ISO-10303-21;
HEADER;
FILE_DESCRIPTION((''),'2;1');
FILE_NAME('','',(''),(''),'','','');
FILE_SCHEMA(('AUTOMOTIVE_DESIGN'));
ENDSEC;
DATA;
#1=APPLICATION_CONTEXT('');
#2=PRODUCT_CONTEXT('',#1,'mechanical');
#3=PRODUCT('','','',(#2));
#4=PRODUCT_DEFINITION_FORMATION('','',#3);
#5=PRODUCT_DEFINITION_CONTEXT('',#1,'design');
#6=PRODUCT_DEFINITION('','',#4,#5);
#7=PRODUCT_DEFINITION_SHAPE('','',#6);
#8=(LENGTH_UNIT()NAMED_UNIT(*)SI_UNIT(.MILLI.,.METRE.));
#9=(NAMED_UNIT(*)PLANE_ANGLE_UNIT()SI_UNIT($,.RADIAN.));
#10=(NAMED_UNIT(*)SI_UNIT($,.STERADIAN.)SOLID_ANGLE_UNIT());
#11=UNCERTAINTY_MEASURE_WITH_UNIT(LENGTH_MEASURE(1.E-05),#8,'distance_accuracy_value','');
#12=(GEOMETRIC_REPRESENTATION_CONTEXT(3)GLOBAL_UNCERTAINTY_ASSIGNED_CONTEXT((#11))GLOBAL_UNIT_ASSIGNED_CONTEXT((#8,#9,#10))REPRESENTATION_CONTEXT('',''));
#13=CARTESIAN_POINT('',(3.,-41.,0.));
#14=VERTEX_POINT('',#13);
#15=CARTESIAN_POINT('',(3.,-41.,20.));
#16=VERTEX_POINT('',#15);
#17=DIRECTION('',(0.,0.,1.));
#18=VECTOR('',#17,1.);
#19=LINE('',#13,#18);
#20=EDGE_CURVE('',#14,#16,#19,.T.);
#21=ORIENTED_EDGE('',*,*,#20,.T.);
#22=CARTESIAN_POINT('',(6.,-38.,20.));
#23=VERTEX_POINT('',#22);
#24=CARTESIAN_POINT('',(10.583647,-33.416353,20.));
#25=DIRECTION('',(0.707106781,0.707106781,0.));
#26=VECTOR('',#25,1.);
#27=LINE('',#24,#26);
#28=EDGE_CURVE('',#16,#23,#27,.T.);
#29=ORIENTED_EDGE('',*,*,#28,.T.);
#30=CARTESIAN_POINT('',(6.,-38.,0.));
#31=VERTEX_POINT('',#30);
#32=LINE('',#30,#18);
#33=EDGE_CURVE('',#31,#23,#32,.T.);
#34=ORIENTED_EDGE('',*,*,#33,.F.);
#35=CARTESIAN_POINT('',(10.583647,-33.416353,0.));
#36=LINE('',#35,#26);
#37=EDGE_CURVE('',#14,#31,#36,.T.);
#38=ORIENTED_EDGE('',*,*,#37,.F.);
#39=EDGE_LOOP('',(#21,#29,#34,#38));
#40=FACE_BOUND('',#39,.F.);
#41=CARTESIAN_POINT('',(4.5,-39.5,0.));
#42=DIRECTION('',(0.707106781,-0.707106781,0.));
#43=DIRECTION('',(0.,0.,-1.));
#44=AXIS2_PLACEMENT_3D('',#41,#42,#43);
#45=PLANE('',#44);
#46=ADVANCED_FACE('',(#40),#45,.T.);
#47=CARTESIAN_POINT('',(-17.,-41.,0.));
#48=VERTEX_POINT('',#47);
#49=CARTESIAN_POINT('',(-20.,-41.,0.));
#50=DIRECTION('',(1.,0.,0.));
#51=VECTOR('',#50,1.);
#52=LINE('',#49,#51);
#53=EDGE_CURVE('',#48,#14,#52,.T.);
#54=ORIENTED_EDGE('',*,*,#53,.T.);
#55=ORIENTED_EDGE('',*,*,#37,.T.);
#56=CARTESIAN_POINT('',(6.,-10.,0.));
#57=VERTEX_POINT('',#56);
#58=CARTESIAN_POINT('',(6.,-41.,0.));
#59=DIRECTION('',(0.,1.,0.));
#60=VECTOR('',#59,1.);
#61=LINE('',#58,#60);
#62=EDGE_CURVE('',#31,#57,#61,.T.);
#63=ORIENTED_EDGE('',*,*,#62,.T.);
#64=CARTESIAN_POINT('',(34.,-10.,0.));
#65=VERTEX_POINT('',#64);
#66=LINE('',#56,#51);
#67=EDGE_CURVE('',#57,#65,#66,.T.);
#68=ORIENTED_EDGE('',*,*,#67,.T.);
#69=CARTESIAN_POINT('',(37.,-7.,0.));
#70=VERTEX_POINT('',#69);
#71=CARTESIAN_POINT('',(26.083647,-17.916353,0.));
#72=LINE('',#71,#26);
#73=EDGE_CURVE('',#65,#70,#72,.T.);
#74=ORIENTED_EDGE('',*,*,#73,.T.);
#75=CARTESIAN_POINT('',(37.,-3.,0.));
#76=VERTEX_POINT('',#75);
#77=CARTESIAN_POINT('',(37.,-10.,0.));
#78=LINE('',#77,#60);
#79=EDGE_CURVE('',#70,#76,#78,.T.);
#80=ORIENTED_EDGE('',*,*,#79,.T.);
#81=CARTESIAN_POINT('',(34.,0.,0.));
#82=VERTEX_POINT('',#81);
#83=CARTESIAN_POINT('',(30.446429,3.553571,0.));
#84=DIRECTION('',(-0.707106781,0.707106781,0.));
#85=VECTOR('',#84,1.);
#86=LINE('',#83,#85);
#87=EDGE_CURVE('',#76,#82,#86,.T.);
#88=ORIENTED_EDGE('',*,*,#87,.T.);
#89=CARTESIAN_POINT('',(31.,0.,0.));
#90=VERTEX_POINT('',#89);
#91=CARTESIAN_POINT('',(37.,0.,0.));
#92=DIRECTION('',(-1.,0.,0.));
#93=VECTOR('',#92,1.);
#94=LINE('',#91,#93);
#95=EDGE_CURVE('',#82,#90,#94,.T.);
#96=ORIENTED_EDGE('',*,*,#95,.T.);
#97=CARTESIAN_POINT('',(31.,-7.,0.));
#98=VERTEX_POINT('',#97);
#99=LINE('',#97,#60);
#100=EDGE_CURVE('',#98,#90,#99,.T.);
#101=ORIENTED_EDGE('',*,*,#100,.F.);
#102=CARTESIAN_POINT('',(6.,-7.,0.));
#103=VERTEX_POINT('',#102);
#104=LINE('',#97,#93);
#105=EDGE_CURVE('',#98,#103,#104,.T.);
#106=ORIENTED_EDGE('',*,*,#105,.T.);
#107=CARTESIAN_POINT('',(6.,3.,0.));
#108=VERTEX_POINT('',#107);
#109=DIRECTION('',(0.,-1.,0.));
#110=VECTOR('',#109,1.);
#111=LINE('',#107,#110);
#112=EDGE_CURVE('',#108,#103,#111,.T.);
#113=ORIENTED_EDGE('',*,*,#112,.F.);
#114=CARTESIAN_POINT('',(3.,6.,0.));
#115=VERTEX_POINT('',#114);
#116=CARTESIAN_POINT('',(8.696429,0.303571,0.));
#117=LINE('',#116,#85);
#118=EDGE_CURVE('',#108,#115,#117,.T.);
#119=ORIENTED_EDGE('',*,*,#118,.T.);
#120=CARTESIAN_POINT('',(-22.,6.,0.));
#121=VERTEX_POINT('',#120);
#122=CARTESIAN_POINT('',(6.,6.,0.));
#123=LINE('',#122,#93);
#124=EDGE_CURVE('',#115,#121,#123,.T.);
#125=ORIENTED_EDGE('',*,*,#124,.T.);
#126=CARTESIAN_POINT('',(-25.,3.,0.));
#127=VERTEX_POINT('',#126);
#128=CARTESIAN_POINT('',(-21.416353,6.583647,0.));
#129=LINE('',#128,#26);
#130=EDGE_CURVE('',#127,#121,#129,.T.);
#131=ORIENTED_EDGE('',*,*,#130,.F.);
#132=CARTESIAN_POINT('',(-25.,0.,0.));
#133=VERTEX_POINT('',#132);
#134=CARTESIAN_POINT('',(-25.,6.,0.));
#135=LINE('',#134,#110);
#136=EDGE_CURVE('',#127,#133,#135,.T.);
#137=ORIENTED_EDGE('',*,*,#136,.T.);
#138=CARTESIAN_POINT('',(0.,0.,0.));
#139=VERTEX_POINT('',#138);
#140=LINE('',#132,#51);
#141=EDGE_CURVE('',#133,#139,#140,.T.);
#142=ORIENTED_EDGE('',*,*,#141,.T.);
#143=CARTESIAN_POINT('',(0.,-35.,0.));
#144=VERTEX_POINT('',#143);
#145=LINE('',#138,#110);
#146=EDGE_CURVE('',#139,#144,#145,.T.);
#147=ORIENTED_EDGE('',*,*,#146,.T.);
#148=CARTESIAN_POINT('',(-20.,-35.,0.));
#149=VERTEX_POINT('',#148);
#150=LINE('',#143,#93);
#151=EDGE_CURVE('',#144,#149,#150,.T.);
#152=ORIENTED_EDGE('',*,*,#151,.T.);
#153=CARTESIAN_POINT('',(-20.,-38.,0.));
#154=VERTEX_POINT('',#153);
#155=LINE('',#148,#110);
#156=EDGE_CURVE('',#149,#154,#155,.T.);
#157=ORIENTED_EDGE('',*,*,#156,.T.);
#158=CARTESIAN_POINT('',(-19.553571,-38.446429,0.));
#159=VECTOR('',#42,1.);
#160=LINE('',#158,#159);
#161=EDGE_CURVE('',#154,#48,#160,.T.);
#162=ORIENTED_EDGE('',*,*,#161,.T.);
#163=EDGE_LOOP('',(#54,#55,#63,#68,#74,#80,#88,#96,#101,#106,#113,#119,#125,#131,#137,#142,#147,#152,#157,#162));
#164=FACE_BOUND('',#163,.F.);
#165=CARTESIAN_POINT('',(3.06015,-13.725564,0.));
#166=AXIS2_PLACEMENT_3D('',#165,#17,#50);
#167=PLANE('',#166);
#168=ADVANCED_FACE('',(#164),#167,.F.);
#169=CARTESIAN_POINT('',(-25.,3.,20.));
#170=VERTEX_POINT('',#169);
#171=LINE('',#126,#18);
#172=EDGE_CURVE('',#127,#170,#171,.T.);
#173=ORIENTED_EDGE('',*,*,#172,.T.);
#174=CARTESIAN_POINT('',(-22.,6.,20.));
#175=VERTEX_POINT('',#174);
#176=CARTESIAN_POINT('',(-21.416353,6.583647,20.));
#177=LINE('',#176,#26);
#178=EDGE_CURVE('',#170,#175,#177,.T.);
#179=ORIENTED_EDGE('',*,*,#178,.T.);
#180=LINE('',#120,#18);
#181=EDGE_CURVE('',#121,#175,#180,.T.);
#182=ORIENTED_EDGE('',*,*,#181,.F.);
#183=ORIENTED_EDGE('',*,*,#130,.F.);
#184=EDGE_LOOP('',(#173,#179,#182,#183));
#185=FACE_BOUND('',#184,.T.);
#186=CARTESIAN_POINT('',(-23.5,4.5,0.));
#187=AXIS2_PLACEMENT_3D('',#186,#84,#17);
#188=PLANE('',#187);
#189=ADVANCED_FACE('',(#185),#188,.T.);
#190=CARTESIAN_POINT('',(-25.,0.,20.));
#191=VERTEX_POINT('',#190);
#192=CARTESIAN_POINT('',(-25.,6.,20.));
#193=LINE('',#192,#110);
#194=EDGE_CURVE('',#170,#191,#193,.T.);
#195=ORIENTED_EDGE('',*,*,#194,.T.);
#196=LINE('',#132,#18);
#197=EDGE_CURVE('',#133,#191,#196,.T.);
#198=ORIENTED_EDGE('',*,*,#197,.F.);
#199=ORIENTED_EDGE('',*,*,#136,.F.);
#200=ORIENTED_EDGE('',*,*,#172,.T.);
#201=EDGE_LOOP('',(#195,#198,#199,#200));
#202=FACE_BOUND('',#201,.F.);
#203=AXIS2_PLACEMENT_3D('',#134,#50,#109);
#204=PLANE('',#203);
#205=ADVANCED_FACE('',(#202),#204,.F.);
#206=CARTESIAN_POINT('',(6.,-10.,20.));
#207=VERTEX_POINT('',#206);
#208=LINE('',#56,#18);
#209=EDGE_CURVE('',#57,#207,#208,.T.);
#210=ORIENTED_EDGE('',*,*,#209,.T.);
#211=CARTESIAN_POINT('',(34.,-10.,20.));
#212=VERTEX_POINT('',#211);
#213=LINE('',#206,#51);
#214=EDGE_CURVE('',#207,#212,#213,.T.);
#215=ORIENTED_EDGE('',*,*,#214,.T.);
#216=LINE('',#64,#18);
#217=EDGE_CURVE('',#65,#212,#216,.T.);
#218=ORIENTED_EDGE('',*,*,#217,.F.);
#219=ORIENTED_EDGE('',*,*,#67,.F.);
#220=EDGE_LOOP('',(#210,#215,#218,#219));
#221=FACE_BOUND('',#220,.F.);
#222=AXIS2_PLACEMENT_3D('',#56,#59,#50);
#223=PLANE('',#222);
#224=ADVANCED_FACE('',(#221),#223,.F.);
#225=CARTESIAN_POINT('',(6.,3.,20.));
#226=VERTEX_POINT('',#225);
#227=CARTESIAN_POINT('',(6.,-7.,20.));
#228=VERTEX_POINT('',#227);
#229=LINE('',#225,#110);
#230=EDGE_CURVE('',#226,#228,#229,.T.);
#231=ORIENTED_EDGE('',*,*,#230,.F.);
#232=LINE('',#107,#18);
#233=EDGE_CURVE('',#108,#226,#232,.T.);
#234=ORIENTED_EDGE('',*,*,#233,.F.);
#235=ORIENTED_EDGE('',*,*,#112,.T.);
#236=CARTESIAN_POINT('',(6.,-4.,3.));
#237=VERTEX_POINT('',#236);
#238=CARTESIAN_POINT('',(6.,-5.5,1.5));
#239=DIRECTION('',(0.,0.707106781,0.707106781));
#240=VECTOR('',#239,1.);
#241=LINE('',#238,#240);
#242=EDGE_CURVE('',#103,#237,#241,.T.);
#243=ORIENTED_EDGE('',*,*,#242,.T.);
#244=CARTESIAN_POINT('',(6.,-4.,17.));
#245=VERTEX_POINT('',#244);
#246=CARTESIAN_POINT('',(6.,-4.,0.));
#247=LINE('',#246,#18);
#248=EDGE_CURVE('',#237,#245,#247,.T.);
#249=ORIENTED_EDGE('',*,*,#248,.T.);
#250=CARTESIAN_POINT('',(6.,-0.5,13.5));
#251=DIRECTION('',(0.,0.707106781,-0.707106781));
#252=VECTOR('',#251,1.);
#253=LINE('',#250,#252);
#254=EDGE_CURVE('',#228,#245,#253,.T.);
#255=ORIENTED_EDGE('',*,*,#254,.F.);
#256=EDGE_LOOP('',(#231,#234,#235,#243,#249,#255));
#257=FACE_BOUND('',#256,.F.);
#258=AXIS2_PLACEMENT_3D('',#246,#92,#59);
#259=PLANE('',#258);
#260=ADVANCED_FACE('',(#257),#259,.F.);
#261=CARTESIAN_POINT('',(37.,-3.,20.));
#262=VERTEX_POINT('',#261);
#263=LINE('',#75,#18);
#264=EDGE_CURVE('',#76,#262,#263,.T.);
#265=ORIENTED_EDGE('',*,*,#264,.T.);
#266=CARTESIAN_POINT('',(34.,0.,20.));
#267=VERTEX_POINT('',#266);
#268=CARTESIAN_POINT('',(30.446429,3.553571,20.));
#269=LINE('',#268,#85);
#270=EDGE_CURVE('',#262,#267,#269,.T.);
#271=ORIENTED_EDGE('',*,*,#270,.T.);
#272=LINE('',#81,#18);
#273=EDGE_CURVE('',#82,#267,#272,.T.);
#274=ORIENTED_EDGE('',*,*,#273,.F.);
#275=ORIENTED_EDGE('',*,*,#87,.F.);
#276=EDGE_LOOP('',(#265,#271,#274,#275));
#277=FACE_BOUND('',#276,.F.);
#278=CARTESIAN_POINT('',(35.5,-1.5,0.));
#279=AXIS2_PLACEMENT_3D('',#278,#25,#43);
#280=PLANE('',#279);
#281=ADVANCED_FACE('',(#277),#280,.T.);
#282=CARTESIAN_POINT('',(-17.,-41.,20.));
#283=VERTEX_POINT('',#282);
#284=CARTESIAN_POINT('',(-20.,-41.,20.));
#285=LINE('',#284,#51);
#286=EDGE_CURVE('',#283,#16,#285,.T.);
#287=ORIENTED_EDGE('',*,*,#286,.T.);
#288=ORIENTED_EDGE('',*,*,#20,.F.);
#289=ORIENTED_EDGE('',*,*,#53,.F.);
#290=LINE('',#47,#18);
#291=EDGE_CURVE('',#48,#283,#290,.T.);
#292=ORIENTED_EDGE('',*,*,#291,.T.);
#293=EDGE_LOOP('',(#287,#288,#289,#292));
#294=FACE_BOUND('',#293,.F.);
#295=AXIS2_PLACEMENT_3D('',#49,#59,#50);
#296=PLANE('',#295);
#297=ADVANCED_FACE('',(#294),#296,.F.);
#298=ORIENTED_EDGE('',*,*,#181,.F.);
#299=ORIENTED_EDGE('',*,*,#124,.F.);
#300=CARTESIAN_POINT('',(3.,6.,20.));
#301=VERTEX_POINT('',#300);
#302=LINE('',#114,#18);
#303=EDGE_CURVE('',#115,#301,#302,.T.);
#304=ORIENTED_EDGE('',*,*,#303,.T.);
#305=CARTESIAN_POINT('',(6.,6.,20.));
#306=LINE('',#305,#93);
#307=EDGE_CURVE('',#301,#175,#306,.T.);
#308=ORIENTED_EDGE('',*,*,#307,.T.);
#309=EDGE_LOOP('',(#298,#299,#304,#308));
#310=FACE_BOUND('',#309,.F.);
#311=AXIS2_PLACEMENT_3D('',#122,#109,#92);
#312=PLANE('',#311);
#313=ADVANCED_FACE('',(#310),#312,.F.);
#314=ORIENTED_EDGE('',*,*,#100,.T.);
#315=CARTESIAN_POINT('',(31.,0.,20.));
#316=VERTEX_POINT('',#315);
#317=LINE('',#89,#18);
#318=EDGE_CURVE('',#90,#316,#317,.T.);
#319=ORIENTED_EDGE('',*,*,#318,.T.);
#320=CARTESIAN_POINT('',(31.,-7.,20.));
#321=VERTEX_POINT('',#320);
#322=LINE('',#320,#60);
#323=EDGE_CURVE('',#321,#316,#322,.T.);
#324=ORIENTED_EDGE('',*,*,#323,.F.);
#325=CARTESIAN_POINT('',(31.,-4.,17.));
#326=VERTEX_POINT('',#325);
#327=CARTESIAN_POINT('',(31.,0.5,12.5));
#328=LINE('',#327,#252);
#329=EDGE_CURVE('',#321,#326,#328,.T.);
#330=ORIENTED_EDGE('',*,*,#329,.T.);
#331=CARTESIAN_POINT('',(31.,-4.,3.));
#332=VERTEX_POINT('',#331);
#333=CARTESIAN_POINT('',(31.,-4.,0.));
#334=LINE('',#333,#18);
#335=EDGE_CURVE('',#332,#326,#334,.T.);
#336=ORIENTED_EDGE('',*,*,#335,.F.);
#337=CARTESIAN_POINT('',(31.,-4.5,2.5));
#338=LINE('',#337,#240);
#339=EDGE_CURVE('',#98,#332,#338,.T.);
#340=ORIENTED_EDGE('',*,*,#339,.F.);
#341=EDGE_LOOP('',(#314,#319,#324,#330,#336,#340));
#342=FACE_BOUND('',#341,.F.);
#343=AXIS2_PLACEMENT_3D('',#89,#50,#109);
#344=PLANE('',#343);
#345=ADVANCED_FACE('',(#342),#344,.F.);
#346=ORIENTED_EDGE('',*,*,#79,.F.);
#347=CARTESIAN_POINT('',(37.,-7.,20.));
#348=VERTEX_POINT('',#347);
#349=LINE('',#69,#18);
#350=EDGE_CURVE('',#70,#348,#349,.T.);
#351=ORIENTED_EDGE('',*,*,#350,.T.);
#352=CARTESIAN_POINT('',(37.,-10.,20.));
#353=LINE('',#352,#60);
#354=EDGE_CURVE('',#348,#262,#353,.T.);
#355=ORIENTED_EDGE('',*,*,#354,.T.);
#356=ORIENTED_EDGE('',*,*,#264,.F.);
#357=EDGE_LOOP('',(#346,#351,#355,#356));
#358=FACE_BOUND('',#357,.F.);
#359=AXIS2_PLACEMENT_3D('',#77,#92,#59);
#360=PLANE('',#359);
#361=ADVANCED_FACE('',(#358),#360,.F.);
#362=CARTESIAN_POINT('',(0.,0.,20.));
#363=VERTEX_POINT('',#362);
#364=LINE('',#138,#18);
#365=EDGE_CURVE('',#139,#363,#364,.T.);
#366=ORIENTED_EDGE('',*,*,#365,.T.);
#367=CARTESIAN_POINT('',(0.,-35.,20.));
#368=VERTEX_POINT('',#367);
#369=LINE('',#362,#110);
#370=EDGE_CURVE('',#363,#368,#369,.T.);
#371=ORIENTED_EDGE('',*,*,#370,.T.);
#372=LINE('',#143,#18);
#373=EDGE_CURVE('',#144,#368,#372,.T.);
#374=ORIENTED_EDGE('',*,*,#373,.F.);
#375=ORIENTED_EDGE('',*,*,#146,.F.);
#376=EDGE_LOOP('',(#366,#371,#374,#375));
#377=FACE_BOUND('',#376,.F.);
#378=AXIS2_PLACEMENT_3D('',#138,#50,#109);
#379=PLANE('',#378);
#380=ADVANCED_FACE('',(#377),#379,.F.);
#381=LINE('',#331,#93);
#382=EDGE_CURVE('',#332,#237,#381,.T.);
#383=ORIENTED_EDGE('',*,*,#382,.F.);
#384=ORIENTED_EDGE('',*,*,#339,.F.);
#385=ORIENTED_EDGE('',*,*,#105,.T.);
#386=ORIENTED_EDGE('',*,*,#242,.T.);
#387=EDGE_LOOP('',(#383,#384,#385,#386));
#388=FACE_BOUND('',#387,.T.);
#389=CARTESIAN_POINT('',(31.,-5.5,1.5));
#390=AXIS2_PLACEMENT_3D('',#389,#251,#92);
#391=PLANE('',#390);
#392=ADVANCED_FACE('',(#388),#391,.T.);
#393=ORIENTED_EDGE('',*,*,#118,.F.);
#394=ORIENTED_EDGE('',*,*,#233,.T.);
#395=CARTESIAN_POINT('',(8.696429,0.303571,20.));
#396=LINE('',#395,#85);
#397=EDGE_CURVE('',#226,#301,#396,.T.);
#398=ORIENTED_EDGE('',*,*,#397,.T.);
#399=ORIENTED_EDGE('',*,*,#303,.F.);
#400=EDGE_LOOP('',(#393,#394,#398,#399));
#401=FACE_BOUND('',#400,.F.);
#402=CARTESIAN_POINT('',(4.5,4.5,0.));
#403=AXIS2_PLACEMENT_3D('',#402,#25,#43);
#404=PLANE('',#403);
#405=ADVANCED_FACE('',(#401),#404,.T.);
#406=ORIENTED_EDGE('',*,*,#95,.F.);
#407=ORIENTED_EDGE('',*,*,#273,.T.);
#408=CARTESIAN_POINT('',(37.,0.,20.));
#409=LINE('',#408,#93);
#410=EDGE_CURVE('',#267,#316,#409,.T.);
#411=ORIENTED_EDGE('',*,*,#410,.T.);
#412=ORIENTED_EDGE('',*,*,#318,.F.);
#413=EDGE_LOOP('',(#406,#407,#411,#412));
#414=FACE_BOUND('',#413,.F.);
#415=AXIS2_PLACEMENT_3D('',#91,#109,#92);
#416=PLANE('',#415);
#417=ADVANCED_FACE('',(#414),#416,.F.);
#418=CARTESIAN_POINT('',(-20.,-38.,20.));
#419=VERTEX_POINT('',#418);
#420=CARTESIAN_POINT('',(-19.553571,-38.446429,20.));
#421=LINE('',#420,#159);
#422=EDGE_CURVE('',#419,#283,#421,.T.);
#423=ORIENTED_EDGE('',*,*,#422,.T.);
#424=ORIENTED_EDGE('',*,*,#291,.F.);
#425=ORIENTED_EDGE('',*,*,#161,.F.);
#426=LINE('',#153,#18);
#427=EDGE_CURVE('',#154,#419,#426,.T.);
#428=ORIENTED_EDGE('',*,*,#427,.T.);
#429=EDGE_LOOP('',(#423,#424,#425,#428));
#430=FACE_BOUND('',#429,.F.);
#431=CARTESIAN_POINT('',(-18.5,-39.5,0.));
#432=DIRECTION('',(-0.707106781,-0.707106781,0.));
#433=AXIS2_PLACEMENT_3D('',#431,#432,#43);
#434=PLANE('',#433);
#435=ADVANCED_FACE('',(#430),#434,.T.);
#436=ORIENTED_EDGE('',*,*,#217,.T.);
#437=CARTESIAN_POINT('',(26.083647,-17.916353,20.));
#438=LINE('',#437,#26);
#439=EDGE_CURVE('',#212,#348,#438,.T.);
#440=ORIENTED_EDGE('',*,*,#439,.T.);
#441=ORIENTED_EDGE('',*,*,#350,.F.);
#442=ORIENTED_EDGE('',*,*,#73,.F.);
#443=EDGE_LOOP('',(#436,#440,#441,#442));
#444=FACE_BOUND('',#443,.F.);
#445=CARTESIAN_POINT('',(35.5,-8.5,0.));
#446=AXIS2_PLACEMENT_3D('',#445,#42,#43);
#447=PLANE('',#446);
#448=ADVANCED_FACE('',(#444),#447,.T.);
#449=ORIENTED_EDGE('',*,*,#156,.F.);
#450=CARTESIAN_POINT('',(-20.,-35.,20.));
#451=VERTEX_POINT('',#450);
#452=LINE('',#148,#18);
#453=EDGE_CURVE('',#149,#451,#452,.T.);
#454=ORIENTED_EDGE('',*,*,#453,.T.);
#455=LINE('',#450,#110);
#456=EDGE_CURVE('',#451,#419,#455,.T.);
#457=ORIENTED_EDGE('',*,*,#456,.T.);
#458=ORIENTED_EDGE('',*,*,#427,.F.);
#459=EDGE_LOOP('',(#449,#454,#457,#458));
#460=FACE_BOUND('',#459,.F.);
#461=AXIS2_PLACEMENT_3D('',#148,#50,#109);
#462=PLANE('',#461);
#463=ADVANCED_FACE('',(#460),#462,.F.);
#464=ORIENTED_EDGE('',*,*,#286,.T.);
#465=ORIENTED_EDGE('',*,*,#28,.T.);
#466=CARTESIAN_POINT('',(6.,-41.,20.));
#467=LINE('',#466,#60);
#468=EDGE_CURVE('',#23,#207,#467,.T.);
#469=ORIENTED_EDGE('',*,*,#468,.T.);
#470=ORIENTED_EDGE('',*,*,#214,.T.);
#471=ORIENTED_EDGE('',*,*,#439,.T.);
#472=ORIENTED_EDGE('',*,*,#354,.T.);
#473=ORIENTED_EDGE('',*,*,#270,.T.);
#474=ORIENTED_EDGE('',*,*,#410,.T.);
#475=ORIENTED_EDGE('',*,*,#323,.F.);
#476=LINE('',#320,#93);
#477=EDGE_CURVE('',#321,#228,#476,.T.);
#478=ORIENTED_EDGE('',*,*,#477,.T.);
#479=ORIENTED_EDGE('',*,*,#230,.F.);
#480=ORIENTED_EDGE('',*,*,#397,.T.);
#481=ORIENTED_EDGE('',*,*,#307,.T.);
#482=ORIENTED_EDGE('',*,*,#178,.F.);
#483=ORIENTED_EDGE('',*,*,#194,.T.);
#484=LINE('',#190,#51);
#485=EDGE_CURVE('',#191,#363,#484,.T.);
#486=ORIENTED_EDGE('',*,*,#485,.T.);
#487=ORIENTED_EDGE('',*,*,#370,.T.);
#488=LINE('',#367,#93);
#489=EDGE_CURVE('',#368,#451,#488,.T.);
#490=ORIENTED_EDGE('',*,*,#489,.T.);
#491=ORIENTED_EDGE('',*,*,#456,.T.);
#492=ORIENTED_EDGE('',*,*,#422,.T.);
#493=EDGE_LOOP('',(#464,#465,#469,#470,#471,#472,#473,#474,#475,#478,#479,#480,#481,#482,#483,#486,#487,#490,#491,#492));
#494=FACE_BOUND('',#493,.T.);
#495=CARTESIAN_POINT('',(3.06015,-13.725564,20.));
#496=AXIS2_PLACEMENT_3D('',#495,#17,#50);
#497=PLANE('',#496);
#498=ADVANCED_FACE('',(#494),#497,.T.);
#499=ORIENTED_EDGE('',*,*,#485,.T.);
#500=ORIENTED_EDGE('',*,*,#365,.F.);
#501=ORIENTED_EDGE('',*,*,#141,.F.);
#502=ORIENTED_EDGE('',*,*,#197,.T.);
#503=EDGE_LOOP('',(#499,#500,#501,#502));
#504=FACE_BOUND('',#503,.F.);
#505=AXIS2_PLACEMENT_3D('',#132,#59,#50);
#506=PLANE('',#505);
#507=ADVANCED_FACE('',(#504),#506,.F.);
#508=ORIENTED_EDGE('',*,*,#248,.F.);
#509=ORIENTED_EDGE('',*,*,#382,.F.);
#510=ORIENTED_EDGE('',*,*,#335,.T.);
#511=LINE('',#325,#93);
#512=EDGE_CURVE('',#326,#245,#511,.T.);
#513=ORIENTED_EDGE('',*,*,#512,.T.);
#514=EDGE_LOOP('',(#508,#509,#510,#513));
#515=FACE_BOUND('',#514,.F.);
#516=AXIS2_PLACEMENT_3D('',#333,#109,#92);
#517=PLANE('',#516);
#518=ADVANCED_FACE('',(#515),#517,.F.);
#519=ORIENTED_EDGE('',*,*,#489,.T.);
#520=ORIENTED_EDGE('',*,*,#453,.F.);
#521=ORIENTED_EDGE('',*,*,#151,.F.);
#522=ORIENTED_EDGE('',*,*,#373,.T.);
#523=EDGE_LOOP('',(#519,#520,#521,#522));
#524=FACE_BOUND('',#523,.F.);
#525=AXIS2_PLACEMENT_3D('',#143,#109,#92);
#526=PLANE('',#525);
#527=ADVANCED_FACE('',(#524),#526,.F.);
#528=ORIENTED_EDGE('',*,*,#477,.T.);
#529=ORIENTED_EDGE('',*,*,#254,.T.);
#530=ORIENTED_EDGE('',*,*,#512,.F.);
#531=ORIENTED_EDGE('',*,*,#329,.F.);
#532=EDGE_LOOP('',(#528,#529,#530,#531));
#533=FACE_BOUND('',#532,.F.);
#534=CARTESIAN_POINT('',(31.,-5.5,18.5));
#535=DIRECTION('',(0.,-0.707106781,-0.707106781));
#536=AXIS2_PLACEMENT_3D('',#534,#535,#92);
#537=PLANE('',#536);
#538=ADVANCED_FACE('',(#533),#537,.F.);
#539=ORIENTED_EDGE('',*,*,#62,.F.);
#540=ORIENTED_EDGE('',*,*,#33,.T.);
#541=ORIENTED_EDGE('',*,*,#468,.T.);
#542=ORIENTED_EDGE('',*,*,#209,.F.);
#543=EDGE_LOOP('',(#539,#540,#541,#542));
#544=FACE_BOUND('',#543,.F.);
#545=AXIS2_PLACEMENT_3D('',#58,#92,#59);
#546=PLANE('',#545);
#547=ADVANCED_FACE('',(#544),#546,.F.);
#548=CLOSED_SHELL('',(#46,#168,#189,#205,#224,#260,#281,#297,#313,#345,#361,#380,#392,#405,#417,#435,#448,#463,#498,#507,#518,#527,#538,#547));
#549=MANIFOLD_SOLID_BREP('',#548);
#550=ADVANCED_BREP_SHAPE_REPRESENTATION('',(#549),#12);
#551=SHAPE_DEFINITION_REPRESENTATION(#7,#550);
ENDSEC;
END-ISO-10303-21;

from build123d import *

# Parameters (mm, degrees)
F1_DEPTH = 20
F2_SIZE  = 3
F3_SIZE  = 3


with BuildPart() as f1:
    # F0 (on Top) → F1 (new body)
    with BuildSketch(Plane.XY):
        Polygon((-25, 6), (-25, 0), (0, 0), (0, -35), (-20, -35), (-20, -41), (6, -41), (6, -10), (37, -10), (37, 0), (31, 0), (31, -4), (6, -4), (6, 6), align=None)
    extrude(amount=F1_DEPTH)

    # F2
    f2_edges = [f1.edges().sort_by_distance(p)[0] for p in [
        (37, -10, 10),
        (6, 6, 10),
        (6, -41, 10),
        (-25, 6, 10),
        (-20, -41, 10),
        (37, 0, 10),
    ]]
    chamfer(f2_edges, length=F2_SIZE)

    # F3
    f3_edges = [f1.edges().sort_by_distance(p)[0] for p in [
        (18.5, -4, 20),
        (18.5, -4, 0),
    ]]
    chamfer(f3_edges, length=F3_SIZE)


solid = f1.part
